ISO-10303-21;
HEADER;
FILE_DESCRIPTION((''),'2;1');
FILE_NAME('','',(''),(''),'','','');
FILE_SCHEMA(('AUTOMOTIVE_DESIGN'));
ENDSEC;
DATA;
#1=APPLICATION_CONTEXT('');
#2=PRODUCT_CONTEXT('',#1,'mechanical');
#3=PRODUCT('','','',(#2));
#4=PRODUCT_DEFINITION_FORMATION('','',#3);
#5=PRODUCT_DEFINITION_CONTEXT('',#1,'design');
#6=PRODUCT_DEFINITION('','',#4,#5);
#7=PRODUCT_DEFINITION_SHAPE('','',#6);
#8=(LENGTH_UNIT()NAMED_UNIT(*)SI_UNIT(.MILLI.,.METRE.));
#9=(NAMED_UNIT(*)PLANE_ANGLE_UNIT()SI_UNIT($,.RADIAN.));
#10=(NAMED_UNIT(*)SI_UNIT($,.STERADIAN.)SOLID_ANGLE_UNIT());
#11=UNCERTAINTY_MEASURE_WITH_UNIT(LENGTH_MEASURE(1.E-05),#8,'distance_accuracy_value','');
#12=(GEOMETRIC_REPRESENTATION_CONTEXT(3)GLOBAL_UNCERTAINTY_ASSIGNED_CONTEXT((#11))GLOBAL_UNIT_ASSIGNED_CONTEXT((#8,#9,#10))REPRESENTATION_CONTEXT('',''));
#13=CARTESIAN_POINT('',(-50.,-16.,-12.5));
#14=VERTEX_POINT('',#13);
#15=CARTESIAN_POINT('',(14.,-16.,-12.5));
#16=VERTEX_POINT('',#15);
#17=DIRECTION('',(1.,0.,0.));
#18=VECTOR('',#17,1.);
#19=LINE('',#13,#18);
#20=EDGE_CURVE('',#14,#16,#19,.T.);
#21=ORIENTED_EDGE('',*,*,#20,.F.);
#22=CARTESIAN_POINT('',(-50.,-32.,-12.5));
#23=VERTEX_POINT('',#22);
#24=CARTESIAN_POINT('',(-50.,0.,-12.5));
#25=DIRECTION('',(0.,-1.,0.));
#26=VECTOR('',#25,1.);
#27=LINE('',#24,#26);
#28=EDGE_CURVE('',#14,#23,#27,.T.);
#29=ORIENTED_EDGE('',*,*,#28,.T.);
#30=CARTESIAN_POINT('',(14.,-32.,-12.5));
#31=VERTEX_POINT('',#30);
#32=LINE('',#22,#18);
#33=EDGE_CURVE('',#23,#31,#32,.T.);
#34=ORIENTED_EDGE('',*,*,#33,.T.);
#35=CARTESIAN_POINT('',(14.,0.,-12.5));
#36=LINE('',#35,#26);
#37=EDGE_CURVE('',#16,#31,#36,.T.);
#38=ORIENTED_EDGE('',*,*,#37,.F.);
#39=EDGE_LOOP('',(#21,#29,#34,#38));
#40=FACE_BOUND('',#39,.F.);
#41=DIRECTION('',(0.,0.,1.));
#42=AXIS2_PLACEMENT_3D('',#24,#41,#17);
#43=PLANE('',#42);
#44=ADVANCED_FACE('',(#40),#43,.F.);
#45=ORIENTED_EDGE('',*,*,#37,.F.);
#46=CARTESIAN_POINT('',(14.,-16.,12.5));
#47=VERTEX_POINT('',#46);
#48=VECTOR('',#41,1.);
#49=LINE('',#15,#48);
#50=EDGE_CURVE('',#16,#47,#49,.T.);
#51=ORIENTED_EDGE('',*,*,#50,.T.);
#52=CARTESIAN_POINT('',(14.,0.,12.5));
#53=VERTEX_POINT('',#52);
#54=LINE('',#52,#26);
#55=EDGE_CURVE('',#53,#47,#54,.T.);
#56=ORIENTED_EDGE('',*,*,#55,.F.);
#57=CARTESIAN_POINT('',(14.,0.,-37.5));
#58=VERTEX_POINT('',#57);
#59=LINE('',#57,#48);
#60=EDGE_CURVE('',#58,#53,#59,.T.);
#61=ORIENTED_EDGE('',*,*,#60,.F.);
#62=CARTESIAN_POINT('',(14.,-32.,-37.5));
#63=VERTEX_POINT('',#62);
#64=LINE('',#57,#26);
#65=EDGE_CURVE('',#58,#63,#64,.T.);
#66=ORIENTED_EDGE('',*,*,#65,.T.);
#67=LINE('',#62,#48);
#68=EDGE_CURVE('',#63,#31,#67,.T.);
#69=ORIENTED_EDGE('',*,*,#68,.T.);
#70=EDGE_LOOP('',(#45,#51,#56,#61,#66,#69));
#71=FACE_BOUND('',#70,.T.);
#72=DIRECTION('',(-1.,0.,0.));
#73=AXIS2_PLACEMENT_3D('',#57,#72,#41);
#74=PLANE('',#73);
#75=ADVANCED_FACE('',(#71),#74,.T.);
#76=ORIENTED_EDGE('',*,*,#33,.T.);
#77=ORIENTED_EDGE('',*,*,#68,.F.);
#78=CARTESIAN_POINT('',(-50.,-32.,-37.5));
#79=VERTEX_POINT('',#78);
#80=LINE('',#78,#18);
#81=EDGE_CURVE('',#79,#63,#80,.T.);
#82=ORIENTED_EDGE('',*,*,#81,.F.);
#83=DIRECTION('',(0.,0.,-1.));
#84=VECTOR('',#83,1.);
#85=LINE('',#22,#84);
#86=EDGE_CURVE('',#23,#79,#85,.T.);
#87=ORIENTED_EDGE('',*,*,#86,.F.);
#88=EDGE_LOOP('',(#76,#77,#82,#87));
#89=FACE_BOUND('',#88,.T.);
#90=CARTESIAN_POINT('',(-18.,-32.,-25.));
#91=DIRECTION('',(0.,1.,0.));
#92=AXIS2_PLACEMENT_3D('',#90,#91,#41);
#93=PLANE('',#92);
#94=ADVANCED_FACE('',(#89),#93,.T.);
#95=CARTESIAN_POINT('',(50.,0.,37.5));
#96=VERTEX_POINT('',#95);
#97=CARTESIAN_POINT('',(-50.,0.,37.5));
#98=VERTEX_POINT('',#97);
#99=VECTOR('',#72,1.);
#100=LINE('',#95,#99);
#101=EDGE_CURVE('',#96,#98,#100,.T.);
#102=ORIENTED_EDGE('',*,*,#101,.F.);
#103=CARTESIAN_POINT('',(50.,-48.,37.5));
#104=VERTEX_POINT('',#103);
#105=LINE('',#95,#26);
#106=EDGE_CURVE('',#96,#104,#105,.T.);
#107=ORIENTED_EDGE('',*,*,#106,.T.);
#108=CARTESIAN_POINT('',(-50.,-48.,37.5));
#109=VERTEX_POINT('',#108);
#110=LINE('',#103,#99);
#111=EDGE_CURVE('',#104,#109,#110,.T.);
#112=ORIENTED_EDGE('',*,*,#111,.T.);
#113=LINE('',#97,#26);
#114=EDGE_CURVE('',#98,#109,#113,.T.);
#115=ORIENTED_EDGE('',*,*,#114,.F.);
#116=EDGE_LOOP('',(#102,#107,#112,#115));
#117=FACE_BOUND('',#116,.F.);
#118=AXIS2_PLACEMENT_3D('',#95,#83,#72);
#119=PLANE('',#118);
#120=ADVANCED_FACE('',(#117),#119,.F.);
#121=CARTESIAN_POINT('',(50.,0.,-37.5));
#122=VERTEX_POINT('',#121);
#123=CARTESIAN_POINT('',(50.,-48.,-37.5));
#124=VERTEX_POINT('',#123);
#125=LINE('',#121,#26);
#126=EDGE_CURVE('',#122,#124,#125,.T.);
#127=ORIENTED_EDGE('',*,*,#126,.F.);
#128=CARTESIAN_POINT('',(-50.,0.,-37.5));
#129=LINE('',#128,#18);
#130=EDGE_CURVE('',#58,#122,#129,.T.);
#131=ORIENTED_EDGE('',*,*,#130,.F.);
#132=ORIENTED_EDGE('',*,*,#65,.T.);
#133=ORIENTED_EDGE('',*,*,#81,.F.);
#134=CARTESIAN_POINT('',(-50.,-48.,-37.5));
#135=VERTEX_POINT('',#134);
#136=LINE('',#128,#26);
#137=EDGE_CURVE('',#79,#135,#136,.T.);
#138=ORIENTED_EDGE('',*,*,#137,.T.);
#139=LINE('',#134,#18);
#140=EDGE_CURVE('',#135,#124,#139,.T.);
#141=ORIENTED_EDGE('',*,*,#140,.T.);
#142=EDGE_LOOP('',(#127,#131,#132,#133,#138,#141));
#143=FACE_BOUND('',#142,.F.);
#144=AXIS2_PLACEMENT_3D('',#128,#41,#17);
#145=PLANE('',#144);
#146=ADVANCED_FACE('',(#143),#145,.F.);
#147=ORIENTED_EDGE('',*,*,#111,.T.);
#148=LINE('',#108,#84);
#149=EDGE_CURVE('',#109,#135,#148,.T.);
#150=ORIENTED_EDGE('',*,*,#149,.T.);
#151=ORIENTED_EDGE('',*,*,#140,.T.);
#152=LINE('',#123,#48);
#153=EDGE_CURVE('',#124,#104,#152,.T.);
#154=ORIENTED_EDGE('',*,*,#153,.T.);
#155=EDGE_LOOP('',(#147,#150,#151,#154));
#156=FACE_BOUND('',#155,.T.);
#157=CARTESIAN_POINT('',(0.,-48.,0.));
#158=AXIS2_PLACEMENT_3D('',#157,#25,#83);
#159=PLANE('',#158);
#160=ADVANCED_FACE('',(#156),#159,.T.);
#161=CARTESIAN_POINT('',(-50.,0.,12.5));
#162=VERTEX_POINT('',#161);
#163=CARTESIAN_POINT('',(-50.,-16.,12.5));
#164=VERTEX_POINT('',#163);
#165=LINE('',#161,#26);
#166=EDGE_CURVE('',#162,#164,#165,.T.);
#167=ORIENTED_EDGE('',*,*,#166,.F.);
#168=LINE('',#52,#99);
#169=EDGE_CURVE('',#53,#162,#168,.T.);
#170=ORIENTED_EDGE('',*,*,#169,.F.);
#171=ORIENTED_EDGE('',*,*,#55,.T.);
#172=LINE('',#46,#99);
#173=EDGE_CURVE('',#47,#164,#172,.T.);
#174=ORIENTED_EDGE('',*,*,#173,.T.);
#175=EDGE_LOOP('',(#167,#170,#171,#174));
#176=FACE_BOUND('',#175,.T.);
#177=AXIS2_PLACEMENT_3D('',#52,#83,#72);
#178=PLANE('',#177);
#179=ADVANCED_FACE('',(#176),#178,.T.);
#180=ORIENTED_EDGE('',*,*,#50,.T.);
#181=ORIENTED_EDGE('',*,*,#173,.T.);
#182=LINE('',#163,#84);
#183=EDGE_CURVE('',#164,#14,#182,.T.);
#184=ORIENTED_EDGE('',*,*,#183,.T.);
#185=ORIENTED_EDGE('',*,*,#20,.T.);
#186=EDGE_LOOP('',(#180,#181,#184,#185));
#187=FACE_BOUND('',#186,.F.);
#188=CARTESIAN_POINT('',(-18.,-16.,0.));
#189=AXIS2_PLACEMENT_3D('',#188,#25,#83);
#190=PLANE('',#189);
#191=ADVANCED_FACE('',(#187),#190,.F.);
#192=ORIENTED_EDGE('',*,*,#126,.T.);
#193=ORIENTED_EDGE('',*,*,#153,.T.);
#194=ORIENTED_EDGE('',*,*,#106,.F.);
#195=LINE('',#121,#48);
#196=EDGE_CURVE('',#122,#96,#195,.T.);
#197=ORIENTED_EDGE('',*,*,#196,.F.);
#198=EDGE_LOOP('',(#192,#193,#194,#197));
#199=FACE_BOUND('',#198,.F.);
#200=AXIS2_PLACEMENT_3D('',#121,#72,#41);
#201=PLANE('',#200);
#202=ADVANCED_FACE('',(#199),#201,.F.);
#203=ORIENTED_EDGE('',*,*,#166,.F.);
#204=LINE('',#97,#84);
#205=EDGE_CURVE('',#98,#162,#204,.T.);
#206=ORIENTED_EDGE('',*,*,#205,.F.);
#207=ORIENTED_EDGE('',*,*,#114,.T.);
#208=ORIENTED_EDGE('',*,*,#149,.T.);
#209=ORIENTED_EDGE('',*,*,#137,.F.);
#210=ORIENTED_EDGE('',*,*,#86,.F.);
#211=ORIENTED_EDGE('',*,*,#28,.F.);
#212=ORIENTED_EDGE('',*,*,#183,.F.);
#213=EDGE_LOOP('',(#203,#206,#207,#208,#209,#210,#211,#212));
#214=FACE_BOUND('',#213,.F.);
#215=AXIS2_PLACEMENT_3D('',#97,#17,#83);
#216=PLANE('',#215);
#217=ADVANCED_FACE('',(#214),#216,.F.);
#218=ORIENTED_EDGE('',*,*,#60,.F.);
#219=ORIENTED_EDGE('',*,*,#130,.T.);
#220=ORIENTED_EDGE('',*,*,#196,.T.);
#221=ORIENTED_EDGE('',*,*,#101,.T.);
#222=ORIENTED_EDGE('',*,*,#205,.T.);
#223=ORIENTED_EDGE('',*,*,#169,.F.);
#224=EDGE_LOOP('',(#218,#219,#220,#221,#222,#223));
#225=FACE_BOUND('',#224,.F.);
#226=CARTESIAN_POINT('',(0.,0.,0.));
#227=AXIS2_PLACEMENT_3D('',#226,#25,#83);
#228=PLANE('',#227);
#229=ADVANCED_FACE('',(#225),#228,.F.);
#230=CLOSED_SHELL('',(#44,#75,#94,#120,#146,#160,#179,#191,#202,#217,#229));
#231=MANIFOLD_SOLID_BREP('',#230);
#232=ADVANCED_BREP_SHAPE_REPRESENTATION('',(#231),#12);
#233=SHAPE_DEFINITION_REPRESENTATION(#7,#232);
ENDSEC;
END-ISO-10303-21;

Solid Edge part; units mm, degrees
sketch "Sketch1" plane through (0, 0, 0) normal (0, -1, 0) x (1, 0, 0)
  line L0 (50, 37.5) -> (-50, 37.5)
  line L1 (-50, 37.5) -> (-50, -37.5)
  line L2 (-50, -37.5) -> (50, -37.5)
  line L3 (50, -37.5) -> (50, 37.5)
extrude "Protrusion1" add sketch "Sketch1" along normal blind 48
sketch "Sketch2" plane through (0, 0, 0) normal (0, -1, 0) x (1, 0, 0)
  line L0 (14, 12.5) -> (-50, 12.5)
  line L1 (-50, 12.5) -> (-50, -12.5)
  line L2 (-50, -12.5) -> (14, -12.5)
  line L3 (14, -12.5) -> (14, 12.5)
extrude "ExtrudedCutout_2" cut sketch "Sketch2" along normal blind 16
sketch "Sketch3" plane through (0, 0, 0) normal (0, -1, 0) x (1, 0, 0)
  line L0 (-50, -12.5) -> (14, -12.5)
  line L1 (14, -37.5) -> (14, -12.5)
  line L2 (-50, -37.5) -> (14, -37.5)
  line L3 (-50, -12.5) -> (-50, -37.5)
extrude "ExtrudedCutout_3" cut sketch "Sketch3" along normal blind 32
